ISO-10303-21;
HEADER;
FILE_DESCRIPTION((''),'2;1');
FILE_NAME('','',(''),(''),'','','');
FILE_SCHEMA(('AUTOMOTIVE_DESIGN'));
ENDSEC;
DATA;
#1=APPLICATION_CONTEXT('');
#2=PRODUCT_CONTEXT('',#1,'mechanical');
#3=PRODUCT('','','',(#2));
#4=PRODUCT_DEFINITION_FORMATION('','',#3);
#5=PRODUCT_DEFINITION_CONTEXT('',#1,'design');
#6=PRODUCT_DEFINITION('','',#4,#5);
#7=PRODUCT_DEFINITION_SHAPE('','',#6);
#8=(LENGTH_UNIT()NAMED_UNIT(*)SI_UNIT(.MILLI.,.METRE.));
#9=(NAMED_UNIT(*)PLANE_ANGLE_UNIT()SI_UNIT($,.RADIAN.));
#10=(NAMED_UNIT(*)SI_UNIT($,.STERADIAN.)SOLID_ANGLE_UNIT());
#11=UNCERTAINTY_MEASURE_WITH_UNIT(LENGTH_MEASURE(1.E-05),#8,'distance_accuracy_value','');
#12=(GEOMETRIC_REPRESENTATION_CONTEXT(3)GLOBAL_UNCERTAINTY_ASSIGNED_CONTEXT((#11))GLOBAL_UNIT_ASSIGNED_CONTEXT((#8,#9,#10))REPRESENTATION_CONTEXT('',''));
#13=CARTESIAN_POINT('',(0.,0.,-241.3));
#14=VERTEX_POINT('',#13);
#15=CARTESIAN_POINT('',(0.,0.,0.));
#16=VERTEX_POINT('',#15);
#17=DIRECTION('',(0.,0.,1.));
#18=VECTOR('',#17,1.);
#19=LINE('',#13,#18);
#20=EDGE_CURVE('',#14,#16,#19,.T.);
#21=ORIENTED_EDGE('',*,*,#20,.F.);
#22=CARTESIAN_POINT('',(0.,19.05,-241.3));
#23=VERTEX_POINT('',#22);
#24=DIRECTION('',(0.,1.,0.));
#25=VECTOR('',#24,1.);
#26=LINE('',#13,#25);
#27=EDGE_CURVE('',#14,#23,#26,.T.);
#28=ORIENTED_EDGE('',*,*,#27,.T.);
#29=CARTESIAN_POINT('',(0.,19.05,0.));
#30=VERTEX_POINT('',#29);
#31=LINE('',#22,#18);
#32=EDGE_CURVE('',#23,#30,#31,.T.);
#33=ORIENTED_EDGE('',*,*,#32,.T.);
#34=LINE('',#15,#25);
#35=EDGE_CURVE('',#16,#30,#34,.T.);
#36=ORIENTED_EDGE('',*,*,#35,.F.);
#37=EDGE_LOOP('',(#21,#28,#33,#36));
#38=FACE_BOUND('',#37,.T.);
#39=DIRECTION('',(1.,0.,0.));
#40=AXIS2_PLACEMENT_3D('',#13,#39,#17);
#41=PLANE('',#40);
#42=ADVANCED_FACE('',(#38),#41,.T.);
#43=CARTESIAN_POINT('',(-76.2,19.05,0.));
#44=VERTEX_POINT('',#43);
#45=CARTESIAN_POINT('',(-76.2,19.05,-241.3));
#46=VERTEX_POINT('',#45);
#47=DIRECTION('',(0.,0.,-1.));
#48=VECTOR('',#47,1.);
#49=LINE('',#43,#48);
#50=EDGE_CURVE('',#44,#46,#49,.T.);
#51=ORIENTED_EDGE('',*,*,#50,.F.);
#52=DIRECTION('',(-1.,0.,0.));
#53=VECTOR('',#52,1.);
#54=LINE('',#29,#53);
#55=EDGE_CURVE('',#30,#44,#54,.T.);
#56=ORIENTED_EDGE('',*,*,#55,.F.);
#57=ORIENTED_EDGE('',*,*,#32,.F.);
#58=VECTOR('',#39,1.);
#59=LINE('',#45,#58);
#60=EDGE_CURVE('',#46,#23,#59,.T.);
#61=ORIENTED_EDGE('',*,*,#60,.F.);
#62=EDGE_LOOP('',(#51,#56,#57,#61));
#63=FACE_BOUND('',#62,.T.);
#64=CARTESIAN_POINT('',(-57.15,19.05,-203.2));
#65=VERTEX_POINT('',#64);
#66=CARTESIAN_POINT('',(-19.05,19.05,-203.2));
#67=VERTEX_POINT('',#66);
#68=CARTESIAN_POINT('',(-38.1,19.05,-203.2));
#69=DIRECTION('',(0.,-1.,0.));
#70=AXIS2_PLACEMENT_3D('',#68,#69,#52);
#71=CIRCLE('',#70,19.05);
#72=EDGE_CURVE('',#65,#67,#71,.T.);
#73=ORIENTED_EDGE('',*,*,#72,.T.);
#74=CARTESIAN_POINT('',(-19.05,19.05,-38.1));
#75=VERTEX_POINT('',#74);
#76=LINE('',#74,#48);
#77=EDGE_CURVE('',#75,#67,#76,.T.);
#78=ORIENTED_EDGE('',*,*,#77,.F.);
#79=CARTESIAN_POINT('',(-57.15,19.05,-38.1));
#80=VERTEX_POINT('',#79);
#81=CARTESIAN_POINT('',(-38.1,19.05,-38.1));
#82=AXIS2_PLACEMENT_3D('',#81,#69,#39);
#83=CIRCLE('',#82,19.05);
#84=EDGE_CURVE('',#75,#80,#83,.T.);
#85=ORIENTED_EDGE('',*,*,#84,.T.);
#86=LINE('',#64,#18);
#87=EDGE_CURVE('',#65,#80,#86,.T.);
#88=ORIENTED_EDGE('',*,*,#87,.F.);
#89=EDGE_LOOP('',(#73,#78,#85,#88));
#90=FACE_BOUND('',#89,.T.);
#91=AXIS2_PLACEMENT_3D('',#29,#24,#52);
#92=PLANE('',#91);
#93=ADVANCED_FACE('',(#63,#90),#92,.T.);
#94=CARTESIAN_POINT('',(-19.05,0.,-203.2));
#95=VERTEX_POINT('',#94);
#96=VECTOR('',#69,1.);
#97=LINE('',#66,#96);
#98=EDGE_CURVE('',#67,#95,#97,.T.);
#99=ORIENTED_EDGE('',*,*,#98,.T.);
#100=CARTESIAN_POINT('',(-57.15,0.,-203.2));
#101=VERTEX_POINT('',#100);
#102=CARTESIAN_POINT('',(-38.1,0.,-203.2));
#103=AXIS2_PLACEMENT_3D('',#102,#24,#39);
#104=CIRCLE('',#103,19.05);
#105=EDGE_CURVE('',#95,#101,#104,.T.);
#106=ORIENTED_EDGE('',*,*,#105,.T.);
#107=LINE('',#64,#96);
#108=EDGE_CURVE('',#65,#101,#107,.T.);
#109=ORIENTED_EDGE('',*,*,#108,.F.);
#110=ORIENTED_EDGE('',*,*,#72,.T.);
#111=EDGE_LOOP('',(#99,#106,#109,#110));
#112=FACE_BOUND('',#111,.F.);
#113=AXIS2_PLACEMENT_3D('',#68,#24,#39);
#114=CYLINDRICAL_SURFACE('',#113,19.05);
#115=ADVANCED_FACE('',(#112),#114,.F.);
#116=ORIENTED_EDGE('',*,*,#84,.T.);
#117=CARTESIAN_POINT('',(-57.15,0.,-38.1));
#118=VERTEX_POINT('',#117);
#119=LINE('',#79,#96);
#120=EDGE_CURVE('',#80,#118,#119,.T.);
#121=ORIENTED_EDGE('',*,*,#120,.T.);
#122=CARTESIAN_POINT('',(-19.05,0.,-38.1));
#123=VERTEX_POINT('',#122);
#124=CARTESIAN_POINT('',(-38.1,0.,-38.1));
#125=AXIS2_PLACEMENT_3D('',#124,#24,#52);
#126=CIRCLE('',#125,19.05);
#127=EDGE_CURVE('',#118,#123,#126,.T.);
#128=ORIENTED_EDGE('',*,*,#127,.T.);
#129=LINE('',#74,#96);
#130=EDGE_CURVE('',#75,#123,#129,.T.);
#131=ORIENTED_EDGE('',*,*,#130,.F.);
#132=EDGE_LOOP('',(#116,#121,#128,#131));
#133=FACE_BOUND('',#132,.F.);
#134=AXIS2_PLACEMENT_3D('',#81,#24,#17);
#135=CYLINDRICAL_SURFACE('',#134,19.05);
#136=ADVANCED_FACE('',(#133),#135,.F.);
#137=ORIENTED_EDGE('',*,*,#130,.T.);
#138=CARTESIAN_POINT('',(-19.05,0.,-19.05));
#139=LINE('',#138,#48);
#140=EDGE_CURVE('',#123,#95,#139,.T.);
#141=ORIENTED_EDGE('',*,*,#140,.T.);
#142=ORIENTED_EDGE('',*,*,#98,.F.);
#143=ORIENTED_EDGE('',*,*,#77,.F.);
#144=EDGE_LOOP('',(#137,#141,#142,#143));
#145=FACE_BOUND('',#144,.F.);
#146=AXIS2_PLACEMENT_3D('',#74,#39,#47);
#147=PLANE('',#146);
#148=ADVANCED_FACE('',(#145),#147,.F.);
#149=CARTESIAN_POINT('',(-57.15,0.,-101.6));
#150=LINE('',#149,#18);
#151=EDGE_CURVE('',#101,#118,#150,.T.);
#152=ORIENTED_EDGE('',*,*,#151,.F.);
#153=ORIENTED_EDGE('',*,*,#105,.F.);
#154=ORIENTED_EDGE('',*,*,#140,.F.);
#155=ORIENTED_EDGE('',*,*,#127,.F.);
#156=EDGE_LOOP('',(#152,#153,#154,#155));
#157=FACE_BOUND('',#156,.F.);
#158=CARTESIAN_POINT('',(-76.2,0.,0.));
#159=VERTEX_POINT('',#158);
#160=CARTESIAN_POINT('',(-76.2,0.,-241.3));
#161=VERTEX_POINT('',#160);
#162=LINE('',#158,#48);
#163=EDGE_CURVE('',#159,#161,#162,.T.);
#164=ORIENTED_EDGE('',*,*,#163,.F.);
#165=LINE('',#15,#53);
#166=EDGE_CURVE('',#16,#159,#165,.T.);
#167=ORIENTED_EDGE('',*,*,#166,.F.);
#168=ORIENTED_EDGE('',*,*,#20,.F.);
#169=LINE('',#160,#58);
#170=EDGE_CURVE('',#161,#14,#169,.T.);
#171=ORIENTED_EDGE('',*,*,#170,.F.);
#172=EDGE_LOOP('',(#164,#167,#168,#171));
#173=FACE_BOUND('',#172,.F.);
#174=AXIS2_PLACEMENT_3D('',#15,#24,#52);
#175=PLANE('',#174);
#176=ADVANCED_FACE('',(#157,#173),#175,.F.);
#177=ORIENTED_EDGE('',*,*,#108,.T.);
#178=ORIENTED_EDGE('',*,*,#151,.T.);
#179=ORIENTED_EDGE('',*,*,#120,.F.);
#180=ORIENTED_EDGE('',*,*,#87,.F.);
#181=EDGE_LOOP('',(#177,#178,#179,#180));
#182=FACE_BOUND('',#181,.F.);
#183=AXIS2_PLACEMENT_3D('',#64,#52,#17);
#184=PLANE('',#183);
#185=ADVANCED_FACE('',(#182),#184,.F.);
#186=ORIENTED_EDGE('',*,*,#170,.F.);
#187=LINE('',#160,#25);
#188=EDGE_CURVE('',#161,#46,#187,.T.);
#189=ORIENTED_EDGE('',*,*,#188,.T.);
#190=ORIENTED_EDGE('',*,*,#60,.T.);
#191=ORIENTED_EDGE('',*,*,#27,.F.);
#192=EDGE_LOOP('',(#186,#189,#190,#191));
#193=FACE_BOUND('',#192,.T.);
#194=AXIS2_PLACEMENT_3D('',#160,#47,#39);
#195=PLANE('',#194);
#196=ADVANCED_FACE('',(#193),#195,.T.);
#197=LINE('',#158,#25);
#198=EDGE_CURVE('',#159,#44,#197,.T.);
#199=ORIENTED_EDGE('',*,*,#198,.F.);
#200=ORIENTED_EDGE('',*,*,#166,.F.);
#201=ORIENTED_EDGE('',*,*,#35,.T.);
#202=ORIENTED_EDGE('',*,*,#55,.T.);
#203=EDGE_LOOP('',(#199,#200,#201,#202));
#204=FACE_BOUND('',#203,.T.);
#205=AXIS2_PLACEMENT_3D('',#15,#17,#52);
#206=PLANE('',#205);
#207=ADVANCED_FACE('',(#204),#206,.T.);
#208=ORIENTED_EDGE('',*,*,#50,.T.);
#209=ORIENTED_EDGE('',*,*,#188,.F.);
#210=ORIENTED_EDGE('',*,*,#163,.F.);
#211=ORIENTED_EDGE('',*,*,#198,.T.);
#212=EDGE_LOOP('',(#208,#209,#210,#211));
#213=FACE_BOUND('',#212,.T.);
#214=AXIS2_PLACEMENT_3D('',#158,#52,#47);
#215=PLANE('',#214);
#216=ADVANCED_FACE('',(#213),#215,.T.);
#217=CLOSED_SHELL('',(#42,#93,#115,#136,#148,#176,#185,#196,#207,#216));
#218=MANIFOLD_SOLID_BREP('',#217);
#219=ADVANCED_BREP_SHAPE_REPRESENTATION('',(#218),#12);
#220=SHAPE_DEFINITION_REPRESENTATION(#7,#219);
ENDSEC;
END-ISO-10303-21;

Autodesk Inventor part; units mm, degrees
ref_plane "YZ Plane" through (0, 0, 0) normal (1, 0, 0) x (0, 1, 0)
ref_plane "XZ Plane" through (0, 0, 0) normal (0, 1, 0) x (-1, 0, 0)
ref_plane "XY Plane" through (0, 0, 0) normal (0, 0, 1) x (1, 0, 0)
sketch "Sketch1" plane through (0, 0, 0) normal (0, 1, 0) x (-1, 0, 0)
  line L0 (0, 0) -> (76.2, 0)
  line L1 (76.2, 0) -> (76.2, -241.3)
  line L2 (76.2, -241.3) -> (0, -241.3)
  line L3 (0, -241.3) -> (0, 0)
  dimension "d0" = 76.2
  dimension "d1" = 241.3
extrude "Extrusion1" add sketch "Sketch1" along normal blind 19.05
sketch "Sketch3" plane through (0, 19.05, 0) normal (0, 1, 0) x (1, 0, 0)
  line L0 (-76.2, 0) -> (0, 0) projected
  line L1 (0, 0) -> (0, 241.3) projected
  line L2 (0, 241.3) -> (-76.2, 241.3) projected
  line L3 (-76.2, 241.3) -> (-76.2, 0) projected
  line L4 (-38.1, 19.05) -> (-38.1, 19.05)
  line L5 (-19.05, 38.1) -> (-19.05, 203.2)
  line L6 (-38.1, 222.25) -> (-38.1, 222.25)
  line L7 (-57.15, 203.2) -> (-57.15, 38.1)
  arc A0 (-57.15, 38.1) -> (-38.1, 19.05) centre (-38.1, 38.1) ccw
  arc A1 (-38.1, 19.05) -> (-19.05, 38.1) centre (-38.1, 38.1) ccw
  arc A2 (-19.05, 203.2) -> (-38.1, 222.25) centre (-38.1, 203.2) ccw
  arc A3 (-38.1, 222.25) -> (-57.15, 203.2) centre (-38.1, 203.2) ccw
  dimension "d11" = 19.05
  dimension "d12" = 19.05
extrude "Extrusion3" cut sketch "Sketch3" against normal blind 25.4 contours A1 A0 L7 A3 A2 L5
properties part number "Marque"
